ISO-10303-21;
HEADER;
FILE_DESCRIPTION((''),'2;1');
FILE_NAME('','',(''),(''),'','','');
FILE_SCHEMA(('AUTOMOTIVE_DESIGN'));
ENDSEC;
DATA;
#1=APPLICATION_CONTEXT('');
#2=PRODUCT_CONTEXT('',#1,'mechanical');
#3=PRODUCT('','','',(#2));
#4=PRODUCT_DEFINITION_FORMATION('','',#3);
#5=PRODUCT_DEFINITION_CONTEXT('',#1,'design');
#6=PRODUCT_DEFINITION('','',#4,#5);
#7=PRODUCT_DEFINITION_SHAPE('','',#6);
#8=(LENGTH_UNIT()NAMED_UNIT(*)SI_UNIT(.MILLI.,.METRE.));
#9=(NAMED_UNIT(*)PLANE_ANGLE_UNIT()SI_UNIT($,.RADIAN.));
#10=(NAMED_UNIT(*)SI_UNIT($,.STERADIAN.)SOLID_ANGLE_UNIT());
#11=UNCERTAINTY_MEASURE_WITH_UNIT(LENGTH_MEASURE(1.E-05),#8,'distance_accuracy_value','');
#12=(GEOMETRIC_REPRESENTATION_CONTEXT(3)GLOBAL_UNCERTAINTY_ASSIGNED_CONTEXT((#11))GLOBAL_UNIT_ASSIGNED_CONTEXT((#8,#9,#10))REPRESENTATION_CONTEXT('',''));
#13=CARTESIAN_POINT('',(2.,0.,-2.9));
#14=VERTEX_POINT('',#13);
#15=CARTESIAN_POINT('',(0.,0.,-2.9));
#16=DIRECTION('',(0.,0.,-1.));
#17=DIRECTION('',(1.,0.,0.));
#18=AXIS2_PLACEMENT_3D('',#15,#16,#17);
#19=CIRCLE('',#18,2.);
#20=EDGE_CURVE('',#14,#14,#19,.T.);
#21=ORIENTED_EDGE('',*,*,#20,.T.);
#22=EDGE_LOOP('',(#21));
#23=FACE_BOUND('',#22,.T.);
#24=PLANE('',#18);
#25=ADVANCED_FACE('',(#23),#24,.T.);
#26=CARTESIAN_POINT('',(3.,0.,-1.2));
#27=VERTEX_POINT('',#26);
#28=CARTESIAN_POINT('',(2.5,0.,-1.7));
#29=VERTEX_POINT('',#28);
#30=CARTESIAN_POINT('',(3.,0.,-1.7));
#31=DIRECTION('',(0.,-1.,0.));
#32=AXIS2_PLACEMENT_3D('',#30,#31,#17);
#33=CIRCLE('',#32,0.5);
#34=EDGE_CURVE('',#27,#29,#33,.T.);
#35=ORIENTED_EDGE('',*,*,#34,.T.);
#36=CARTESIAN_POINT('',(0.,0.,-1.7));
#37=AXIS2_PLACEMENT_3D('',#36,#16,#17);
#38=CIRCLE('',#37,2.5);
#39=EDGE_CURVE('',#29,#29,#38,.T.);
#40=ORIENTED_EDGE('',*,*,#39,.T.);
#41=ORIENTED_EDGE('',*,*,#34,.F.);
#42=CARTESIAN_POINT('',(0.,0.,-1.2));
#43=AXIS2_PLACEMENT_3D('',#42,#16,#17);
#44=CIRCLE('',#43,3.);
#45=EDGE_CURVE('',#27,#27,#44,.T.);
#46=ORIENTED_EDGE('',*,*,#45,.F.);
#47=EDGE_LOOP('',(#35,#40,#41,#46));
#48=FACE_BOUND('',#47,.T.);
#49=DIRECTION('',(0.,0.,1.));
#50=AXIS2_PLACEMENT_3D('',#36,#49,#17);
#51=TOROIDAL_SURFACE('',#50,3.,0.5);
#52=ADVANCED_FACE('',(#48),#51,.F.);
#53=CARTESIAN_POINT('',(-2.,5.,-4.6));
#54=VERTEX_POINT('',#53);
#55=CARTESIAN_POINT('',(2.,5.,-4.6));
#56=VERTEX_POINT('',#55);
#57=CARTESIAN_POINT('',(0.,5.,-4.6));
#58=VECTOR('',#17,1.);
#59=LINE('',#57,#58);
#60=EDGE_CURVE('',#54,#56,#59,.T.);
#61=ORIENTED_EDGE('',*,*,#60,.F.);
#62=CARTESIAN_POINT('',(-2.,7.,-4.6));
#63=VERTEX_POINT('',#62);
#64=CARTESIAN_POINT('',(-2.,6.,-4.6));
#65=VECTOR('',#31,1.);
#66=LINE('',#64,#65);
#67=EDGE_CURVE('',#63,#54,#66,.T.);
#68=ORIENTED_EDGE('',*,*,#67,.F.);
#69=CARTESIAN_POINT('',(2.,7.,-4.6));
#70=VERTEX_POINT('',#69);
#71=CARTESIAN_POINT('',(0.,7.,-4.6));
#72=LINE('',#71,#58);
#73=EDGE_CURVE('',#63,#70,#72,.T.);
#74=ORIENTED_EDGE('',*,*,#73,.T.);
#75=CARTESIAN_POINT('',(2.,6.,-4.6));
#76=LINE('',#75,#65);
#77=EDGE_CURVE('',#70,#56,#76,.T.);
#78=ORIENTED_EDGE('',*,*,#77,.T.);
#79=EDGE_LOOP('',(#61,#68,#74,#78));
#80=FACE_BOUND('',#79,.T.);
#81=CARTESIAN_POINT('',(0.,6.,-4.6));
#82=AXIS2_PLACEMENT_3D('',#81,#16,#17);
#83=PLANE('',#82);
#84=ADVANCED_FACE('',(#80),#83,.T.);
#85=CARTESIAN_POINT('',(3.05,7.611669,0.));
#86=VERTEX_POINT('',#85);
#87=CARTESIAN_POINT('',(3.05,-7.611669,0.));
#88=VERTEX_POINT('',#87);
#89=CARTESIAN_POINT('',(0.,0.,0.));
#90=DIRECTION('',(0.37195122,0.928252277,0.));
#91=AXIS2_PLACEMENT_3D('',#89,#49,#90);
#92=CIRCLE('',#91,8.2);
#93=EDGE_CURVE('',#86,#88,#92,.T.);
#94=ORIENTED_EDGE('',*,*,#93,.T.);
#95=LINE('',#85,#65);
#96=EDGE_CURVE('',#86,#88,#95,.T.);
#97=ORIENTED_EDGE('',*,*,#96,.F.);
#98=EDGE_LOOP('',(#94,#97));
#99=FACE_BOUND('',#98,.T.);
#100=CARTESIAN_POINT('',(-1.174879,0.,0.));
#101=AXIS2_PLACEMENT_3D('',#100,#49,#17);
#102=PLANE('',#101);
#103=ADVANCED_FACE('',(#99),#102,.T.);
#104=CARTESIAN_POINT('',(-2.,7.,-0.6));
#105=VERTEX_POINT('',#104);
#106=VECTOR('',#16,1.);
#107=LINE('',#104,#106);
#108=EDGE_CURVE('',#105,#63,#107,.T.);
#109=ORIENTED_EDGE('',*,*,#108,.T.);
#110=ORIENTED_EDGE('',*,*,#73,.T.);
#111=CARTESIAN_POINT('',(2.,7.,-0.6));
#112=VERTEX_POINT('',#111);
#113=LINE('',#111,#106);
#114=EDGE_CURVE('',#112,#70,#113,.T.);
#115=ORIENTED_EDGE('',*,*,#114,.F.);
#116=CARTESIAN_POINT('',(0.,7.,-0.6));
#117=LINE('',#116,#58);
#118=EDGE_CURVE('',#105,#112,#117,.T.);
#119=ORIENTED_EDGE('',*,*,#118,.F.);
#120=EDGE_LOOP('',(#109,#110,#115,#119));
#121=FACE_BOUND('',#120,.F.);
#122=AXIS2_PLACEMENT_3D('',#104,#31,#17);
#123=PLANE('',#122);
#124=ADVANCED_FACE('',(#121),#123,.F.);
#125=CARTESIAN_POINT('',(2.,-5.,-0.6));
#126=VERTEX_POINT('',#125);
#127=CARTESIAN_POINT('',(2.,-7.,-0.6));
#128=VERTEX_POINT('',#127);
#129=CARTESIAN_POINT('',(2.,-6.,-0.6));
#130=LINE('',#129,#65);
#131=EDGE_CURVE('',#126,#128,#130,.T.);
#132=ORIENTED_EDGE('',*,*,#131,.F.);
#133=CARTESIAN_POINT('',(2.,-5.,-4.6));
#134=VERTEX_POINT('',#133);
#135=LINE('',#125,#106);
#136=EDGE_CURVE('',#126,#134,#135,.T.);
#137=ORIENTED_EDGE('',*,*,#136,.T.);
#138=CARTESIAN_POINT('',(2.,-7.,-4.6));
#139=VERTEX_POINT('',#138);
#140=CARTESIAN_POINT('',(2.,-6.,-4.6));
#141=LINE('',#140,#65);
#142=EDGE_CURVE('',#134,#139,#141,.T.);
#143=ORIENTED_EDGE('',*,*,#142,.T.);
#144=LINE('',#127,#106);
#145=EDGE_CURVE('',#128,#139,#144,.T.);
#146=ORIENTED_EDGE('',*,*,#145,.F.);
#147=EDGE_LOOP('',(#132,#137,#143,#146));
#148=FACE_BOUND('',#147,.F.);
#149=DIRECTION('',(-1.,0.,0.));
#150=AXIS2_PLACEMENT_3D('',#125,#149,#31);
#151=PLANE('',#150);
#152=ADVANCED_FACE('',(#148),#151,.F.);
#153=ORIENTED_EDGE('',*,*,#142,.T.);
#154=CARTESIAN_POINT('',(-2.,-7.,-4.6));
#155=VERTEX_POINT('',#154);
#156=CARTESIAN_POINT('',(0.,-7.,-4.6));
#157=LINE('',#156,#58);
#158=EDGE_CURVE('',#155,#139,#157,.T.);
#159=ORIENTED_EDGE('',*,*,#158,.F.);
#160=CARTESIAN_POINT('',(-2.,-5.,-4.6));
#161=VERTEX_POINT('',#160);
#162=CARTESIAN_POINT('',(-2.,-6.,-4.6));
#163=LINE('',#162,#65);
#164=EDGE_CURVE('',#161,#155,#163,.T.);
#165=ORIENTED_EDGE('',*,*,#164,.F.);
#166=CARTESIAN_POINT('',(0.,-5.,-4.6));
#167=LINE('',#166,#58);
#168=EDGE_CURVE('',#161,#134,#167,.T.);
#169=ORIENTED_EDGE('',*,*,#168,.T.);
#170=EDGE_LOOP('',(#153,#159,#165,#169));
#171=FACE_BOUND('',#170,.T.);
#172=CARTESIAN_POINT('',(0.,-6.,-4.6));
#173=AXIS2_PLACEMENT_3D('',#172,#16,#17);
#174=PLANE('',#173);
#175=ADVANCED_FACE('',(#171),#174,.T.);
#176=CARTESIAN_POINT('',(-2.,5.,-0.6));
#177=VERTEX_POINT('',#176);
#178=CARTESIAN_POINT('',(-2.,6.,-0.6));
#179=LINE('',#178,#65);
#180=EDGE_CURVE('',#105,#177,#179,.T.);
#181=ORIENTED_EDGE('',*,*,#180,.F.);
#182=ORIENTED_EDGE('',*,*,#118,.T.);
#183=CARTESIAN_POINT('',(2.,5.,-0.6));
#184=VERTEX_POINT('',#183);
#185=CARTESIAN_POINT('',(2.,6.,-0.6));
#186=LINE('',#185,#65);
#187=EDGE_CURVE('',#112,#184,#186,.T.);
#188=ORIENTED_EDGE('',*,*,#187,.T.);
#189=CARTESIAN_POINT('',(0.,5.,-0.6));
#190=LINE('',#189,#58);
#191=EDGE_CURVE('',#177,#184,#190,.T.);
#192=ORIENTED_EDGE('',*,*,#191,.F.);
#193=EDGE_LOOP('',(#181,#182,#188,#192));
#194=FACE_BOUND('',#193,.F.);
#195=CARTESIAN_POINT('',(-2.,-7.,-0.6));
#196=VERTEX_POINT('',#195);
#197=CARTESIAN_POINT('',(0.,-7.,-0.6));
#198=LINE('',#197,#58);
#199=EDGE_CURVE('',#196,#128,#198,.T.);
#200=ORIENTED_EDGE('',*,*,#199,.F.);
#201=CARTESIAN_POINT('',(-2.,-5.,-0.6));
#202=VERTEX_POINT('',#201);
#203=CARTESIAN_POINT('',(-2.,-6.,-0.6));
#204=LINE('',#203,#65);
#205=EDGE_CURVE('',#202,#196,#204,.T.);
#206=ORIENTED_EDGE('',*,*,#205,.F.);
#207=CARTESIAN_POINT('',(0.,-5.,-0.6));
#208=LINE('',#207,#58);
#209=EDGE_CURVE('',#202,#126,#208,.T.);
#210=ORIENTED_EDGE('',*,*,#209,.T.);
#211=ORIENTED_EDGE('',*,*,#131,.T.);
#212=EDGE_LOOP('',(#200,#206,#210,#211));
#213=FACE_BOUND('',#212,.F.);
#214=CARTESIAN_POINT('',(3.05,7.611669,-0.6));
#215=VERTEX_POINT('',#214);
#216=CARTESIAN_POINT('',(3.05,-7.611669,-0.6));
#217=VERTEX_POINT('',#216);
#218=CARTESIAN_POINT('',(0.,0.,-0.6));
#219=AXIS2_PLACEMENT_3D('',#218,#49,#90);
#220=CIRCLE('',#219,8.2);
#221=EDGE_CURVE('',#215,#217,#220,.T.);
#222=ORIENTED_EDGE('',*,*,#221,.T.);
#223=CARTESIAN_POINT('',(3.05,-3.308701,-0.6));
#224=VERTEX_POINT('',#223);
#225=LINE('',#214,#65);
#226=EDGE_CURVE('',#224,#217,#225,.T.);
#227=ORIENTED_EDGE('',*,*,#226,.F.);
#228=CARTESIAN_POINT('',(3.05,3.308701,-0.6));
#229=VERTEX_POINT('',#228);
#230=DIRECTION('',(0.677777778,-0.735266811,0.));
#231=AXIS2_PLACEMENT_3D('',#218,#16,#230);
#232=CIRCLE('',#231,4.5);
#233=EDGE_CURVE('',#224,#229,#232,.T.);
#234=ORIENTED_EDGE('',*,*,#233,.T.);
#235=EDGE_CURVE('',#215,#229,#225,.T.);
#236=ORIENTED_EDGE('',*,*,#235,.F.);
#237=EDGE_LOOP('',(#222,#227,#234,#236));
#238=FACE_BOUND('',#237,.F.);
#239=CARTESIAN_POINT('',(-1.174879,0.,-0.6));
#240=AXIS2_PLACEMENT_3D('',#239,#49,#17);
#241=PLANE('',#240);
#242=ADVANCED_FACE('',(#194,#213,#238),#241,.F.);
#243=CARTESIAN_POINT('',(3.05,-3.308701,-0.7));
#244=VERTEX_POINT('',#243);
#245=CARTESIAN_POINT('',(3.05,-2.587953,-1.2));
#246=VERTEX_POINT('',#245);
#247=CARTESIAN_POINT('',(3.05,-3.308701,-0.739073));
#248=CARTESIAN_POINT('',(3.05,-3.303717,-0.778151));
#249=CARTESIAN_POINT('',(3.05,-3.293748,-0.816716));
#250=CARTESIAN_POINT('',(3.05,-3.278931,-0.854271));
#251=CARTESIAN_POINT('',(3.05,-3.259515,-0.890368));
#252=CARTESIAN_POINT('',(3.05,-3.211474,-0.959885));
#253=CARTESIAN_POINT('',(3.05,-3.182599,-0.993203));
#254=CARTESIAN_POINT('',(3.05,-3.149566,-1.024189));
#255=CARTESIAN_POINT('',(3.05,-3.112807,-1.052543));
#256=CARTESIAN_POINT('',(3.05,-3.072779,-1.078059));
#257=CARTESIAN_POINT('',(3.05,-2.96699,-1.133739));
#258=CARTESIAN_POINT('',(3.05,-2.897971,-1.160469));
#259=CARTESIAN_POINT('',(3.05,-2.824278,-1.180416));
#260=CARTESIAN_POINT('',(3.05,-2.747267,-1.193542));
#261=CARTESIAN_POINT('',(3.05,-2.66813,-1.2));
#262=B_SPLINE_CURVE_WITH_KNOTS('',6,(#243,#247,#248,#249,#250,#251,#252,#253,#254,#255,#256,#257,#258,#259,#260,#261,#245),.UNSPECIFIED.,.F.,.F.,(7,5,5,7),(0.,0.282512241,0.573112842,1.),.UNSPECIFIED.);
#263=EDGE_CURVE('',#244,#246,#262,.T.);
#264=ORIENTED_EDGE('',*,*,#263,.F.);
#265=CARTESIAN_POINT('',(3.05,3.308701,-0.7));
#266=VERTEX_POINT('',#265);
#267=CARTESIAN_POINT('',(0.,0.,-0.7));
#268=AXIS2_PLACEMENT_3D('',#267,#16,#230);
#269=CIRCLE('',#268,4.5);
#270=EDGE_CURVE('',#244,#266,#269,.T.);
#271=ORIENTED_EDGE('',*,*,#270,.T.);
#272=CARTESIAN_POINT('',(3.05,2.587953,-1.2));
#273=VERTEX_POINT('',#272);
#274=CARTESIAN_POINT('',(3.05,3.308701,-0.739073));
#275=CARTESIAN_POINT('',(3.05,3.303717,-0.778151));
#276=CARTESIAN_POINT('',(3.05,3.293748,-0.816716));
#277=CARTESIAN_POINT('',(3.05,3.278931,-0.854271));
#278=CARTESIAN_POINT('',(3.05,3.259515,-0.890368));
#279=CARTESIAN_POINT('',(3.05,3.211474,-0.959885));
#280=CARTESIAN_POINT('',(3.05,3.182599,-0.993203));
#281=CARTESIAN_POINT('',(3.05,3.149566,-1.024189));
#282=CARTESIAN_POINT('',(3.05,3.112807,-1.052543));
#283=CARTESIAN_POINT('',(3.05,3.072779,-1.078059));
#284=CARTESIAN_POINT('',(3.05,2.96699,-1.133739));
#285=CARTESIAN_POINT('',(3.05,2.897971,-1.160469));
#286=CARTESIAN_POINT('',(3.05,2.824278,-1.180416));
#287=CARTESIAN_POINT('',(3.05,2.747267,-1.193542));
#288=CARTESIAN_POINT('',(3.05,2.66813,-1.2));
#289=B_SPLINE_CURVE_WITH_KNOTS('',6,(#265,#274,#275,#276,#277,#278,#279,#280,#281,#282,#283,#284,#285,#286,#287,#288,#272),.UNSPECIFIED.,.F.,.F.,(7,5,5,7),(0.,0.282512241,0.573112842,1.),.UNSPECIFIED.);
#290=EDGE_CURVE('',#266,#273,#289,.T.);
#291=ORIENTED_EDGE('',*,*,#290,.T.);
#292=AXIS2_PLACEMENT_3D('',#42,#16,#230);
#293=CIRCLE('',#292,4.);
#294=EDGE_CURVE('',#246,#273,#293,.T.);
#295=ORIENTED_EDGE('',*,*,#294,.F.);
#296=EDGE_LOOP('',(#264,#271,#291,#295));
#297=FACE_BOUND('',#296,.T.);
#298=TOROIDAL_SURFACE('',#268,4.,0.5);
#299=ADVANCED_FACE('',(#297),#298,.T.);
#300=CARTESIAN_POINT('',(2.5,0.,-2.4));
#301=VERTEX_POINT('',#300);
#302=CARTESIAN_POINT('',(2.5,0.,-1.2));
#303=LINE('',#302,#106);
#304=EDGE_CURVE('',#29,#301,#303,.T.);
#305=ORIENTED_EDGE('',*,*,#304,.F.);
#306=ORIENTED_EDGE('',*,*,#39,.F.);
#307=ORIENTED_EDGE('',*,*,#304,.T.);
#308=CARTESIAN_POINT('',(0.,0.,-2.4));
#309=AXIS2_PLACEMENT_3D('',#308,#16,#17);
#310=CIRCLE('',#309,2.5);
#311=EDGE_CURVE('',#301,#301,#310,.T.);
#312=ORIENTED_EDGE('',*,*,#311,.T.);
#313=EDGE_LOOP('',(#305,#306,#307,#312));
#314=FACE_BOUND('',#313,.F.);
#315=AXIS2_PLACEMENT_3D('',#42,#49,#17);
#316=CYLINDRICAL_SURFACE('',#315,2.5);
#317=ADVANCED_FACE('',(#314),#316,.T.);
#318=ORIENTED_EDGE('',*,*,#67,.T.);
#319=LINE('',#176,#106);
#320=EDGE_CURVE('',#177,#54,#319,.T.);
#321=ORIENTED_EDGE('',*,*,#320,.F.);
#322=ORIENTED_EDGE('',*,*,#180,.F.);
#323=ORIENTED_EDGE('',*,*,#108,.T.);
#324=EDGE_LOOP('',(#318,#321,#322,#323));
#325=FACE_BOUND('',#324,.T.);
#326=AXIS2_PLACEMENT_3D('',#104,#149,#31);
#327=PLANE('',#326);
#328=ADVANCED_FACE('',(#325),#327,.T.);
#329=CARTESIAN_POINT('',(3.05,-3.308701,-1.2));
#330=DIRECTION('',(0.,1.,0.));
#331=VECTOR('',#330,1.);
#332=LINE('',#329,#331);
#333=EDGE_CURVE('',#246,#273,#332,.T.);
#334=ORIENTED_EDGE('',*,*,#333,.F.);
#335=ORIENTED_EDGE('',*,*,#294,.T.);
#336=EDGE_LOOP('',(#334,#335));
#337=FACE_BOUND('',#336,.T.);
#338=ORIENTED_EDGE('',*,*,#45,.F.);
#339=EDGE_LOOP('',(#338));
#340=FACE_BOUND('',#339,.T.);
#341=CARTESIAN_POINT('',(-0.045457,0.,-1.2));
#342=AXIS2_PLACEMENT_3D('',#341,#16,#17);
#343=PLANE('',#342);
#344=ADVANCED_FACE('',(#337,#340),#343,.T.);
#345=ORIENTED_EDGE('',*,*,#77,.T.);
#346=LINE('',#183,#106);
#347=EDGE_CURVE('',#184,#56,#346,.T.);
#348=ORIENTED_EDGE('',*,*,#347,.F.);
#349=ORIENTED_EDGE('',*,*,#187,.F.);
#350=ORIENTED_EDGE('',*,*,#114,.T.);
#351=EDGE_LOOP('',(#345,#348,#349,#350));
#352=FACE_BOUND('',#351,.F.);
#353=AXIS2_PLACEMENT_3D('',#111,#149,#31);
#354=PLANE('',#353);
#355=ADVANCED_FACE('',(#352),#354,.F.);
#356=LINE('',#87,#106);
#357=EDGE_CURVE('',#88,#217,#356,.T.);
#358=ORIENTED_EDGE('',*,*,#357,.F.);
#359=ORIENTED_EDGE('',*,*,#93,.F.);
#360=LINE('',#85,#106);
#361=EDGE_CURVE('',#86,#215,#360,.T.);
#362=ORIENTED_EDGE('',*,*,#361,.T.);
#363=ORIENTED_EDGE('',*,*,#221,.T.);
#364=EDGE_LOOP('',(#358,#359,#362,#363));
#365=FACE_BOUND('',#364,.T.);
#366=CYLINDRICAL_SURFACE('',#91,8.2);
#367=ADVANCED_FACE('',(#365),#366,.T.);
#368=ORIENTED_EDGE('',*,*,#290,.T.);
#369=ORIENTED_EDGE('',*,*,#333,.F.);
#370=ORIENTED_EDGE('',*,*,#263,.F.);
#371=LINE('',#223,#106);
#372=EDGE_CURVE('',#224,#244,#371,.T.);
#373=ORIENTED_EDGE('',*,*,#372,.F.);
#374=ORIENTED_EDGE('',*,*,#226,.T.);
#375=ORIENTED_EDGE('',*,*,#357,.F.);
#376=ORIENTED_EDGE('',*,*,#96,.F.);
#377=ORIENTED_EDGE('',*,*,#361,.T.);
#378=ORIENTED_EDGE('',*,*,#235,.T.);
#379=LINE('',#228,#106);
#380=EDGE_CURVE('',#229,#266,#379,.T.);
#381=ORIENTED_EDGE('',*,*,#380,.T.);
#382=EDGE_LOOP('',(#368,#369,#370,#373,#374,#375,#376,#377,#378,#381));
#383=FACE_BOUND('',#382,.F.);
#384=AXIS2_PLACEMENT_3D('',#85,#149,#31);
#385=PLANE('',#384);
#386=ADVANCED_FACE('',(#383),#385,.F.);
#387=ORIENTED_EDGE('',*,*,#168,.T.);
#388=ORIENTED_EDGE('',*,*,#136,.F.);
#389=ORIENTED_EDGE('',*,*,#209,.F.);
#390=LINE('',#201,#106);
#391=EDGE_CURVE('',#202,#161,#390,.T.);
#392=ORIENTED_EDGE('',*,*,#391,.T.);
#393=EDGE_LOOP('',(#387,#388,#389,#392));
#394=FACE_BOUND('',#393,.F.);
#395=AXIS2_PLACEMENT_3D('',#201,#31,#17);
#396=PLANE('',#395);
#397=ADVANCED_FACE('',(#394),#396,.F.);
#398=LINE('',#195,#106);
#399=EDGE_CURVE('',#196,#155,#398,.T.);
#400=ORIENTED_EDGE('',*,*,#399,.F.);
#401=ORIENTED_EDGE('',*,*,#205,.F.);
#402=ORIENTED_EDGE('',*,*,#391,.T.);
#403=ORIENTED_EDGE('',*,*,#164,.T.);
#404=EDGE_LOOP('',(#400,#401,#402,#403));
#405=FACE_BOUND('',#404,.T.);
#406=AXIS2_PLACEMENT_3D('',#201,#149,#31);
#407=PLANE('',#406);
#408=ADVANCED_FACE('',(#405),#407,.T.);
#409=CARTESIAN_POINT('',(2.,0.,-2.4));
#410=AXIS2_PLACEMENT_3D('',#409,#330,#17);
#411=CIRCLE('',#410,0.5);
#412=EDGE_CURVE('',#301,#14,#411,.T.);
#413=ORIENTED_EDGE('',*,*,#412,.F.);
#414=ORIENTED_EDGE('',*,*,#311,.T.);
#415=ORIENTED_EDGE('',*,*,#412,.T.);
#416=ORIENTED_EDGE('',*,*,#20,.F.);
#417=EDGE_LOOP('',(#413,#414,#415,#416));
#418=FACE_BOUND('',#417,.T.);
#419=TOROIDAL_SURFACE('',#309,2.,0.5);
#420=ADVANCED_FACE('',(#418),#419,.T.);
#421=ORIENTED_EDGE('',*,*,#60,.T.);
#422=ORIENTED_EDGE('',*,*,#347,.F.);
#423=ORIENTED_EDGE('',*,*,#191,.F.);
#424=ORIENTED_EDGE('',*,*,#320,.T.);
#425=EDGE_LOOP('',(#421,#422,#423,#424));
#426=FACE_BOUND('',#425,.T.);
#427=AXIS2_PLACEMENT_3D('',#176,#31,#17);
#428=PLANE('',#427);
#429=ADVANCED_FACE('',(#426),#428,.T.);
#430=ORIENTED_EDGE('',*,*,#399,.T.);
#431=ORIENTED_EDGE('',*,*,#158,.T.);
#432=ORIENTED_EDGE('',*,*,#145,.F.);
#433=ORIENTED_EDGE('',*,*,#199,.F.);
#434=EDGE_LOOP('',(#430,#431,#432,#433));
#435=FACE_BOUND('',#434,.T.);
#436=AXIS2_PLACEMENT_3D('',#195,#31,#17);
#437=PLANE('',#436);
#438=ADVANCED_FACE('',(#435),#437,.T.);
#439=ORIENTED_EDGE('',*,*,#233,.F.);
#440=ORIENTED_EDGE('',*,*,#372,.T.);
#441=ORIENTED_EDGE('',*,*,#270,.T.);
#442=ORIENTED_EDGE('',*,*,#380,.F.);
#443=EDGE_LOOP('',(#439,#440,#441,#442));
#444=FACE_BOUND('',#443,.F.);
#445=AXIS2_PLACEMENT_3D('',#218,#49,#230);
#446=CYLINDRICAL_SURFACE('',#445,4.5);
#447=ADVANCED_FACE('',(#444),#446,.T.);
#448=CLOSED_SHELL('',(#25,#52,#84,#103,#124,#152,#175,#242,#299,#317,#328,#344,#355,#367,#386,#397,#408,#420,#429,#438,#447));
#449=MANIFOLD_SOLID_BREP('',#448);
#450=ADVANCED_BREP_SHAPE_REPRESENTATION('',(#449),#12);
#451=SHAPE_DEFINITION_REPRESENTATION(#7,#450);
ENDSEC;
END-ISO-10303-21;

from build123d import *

# Parameters (mm, degrees)
PAD_DEPTH    = 0.6
PAD008_DEPTH = 0.6
FILLET_R     = 0.5
SKETCH018_R  = 2.5
PAD009_DEPTH = 1.7
FILLET001_R  = 0.5
SKETCH019_W  = 4
SKETCH019_H  = 2
PAD010_DEPTH = 4


with BuildPart() as part:
    # Sketch → Pad (new body)
    with BuildSketch(Plane.XY):
        with BuildLine():
            ThreePointArc((3.05, 7.6116686738), (-8.2, 0), (3.05, -7.6116686738))
            Line((3.05, 7.6116686738), (3.05, -7.6116686738))
        make_face()
    extrude(amount=-PAD_DEPTH)

    # Sketch017 (on Face4 of Pad) → Pad008 (join)
    with BuildSketch(Plane(origin=(0, 0, -0.6), x_dir=(1, 0, 0), z_dir=(0, 0, -1))):
        with BuildLine():
            ThreePointArc((3.0499999999, 3.3087006514), (-4.5, 0), (3.0499999999, -3.3087006514))
            Line((3.0499999999, 3.3087006514), (3.0499999999, -3.3087006514))
        make_face()
    extrude(amount=PAD008_DEPTH)

    # Fillet
    fillet_edges = [part.edges().sort_by_distance(p)[0] for p in [
        (-4.5, 0, -1.2),
    ]]
    fillet(fillet_edges, radius=FILLET_R)

    # Sketch018 (on Face5 of Fillet) → Pad009 (join)
    with BuildSketch(Plane(origin=(0, 0, -1.2), x_dir=(1, 0, 0), z_dir=(0, 0, -1))):
        Circle(SKETCH018_R)
    extrude(amount=PAD009_DEPTH)

    # Fillet001
    fillet001_edges = [part.edges().sort_by_distance(p)[0] for p in [
        (-2.5, 0, -2.9),
        (-2.5, 0, -1.2),
    ]]
    fillet(fillet001_edges, radius=FILLET001_R)

    # Sketch019 (on Face7 of Fillet001) → Pad010 (join)
    with BuildSketch(Plane(origin=(0, 0, -0.6), x_dir=(1, 0, 0), z_dir=(0, 0, -1))):
        with Locations((0, 6)):
            Rectangle(SKETCH019_W, SKETCH019_H)
        with Locations((0, -6)):
            Rectangle(SKETCH019_W, SKETCH019_H)
    extrude(amount=PAD010_DEPTH)


solid = part.part
